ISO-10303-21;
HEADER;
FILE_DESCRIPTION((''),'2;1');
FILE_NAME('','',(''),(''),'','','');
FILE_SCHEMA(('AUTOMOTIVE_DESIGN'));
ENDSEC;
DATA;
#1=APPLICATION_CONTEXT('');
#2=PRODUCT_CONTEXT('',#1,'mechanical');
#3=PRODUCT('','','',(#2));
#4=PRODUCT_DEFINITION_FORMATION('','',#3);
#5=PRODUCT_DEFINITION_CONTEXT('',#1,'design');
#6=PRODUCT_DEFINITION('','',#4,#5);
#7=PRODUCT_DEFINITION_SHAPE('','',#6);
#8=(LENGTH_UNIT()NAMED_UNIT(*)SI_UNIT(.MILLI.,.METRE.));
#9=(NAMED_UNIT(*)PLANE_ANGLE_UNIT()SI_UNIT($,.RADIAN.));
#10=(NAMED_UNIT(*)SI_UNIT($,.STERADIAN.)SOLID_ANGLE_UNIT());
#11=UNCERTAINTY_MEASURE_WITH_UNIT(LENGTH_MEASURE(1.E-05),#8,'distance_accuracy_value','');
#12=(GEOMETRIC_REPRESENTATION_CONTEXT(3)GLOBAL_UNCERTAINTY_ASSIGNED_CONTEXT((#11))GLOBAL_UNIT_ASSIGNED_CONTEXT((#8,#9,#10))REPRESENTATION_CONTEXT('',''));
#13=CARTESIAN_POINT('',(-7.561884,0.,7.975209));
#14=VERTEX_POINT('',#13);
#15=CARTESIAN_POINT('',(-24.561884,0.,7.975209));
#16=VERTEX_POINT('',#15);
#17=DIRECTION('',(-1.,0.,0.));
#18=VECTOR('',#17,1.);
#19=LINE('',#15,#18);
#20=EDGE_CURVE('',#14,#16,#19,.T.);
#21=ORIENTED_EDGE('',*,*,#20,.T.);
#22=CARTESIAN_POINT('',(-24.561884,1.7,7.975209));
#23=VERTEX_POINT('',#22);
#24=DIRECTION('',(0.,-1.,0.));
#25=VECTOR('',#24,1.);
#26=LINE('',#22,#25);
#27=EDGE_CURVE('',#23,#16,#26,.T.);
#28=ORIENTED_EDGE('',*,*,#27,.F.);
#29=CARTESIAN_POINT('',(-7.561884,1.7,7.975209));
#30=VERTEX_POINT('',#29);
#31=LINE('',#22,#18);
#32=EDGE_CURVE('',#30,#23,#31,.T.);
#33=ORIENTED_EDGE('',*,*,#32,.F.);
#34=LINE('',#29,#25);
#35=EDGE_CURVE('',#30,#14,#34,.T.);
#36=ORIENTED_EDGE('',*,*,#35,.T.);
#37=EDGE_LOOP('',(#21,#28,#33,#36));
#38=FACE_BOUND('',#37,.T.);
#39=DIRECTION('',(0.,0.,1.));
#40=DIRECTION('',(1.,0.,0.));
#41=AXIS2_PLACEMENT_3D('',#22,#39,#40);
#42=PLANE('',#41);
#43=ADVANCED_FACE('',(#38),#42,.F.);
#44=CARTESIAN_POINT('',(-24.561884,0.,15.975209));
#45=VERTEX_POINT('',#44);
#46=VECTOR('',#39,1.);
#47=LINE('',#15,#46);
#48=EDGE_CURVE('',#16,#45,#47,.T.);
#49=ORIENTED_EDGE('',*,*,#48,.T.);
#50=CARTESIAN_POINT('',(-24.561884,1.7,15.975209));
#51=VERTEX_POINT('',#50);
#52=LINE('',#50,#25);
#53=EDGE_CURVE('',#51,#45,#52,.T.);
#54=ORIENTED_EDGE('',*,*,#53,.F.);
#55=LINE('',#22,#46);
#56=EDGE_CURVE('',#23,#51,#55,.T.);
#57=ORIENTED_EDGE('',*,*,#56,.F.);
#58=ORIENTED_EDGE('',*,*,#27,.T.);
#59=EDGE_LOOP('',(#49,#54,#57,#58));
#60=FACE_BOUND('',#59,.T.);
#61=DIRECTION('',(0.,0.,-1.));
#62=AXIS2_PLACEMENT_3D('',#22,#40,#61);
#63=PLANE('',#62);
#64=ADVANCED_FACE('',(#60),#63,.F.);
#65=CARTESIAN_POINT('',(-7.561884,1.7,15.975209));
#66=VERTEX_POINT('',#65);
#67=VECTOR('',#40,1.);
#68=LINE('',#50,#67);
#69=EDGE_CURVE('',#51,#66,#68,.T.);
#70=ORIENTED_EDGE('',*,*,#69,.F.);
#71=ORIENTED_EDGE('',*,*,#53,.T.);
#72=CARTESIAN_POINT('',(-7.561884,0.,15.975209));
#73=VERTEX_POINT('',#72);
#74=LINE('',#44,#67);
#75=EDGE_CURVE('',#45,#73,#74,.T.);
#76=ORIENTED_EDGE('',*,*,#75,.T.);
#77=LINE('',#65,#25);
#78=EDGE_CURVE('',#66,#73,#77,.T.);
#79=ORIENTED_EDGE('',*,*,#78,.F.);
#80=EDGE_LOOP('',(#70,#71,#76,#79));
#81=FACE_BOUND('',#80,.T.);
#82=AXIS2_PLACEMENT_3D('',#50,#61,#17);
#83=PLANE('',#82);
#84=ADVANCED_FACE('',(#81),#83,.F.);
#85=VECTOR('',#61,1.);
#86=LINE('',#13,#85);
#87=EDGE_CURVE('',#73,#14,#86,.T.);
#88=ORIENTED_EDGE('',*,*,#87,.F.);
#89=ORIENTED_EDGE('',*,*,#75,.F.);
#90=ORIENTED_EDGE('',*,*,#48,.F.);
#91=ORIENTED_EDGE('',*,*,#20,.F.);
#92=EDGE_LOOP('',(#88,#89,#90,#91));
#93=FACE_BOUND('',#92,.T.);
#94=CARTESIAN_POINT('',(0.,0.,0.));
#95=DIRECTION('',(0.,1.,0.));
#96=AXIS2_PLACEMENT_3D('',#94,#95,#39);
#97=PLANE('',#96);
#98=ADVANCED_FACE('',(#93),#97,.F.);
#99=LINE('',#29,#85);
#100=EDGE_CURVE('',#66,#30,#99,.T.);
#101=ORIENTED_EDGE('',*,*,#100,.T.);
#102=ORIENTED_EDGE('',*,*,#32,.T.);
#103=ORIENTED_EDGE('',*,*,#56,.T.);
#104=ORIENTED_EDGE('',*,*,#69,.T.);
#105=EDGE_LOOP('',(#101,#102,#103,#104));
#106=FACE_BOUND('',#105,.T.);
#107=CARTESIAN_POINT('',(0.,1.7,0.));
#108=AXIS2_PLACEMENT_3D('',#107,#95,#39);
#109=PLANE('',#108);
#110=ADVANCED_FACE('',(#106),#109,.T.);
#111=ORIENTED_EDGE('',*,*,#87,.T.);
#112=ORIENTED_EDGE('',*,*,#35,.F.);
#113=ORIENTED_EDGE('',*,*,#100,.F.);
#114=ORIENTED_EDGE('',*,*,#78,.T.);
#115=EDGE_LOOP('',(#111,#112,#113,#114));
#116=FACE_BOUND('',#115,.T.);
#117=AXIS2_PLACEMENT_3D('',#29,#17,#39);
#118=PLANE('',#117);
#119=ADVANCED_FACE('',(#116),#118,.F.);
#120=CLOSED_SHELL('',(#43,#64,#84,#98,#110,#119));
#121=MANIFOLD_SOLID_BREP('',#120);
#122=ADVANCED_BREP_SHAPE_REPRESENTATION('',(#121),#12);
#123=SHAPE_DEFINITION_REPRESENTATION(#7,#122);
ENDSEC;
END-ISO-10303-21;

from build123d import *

# Parameters (mm, degrees)
CROQUIS1_W              = 17
CROQUIS1_H              = 8
SALIENTE_EXTRUIR1_DEPTH = 1.7


with BuildPart() as part:
    # Croquis1 → Saliente-Extruir1 (new body)
    with BuildSketch(Plane(origin=(0, 0, 0), x_dir=(1, 0, 0), z_dir=(0, 1, 0))):
        with Locations((-16.061883906, -11.975209045)):
            Rectangle(CROQUIS1_W, CROQUIS1_H)
    extrude(amount=SALIENTE_EXTRUIR1_DEPTH)


solid = part.part
